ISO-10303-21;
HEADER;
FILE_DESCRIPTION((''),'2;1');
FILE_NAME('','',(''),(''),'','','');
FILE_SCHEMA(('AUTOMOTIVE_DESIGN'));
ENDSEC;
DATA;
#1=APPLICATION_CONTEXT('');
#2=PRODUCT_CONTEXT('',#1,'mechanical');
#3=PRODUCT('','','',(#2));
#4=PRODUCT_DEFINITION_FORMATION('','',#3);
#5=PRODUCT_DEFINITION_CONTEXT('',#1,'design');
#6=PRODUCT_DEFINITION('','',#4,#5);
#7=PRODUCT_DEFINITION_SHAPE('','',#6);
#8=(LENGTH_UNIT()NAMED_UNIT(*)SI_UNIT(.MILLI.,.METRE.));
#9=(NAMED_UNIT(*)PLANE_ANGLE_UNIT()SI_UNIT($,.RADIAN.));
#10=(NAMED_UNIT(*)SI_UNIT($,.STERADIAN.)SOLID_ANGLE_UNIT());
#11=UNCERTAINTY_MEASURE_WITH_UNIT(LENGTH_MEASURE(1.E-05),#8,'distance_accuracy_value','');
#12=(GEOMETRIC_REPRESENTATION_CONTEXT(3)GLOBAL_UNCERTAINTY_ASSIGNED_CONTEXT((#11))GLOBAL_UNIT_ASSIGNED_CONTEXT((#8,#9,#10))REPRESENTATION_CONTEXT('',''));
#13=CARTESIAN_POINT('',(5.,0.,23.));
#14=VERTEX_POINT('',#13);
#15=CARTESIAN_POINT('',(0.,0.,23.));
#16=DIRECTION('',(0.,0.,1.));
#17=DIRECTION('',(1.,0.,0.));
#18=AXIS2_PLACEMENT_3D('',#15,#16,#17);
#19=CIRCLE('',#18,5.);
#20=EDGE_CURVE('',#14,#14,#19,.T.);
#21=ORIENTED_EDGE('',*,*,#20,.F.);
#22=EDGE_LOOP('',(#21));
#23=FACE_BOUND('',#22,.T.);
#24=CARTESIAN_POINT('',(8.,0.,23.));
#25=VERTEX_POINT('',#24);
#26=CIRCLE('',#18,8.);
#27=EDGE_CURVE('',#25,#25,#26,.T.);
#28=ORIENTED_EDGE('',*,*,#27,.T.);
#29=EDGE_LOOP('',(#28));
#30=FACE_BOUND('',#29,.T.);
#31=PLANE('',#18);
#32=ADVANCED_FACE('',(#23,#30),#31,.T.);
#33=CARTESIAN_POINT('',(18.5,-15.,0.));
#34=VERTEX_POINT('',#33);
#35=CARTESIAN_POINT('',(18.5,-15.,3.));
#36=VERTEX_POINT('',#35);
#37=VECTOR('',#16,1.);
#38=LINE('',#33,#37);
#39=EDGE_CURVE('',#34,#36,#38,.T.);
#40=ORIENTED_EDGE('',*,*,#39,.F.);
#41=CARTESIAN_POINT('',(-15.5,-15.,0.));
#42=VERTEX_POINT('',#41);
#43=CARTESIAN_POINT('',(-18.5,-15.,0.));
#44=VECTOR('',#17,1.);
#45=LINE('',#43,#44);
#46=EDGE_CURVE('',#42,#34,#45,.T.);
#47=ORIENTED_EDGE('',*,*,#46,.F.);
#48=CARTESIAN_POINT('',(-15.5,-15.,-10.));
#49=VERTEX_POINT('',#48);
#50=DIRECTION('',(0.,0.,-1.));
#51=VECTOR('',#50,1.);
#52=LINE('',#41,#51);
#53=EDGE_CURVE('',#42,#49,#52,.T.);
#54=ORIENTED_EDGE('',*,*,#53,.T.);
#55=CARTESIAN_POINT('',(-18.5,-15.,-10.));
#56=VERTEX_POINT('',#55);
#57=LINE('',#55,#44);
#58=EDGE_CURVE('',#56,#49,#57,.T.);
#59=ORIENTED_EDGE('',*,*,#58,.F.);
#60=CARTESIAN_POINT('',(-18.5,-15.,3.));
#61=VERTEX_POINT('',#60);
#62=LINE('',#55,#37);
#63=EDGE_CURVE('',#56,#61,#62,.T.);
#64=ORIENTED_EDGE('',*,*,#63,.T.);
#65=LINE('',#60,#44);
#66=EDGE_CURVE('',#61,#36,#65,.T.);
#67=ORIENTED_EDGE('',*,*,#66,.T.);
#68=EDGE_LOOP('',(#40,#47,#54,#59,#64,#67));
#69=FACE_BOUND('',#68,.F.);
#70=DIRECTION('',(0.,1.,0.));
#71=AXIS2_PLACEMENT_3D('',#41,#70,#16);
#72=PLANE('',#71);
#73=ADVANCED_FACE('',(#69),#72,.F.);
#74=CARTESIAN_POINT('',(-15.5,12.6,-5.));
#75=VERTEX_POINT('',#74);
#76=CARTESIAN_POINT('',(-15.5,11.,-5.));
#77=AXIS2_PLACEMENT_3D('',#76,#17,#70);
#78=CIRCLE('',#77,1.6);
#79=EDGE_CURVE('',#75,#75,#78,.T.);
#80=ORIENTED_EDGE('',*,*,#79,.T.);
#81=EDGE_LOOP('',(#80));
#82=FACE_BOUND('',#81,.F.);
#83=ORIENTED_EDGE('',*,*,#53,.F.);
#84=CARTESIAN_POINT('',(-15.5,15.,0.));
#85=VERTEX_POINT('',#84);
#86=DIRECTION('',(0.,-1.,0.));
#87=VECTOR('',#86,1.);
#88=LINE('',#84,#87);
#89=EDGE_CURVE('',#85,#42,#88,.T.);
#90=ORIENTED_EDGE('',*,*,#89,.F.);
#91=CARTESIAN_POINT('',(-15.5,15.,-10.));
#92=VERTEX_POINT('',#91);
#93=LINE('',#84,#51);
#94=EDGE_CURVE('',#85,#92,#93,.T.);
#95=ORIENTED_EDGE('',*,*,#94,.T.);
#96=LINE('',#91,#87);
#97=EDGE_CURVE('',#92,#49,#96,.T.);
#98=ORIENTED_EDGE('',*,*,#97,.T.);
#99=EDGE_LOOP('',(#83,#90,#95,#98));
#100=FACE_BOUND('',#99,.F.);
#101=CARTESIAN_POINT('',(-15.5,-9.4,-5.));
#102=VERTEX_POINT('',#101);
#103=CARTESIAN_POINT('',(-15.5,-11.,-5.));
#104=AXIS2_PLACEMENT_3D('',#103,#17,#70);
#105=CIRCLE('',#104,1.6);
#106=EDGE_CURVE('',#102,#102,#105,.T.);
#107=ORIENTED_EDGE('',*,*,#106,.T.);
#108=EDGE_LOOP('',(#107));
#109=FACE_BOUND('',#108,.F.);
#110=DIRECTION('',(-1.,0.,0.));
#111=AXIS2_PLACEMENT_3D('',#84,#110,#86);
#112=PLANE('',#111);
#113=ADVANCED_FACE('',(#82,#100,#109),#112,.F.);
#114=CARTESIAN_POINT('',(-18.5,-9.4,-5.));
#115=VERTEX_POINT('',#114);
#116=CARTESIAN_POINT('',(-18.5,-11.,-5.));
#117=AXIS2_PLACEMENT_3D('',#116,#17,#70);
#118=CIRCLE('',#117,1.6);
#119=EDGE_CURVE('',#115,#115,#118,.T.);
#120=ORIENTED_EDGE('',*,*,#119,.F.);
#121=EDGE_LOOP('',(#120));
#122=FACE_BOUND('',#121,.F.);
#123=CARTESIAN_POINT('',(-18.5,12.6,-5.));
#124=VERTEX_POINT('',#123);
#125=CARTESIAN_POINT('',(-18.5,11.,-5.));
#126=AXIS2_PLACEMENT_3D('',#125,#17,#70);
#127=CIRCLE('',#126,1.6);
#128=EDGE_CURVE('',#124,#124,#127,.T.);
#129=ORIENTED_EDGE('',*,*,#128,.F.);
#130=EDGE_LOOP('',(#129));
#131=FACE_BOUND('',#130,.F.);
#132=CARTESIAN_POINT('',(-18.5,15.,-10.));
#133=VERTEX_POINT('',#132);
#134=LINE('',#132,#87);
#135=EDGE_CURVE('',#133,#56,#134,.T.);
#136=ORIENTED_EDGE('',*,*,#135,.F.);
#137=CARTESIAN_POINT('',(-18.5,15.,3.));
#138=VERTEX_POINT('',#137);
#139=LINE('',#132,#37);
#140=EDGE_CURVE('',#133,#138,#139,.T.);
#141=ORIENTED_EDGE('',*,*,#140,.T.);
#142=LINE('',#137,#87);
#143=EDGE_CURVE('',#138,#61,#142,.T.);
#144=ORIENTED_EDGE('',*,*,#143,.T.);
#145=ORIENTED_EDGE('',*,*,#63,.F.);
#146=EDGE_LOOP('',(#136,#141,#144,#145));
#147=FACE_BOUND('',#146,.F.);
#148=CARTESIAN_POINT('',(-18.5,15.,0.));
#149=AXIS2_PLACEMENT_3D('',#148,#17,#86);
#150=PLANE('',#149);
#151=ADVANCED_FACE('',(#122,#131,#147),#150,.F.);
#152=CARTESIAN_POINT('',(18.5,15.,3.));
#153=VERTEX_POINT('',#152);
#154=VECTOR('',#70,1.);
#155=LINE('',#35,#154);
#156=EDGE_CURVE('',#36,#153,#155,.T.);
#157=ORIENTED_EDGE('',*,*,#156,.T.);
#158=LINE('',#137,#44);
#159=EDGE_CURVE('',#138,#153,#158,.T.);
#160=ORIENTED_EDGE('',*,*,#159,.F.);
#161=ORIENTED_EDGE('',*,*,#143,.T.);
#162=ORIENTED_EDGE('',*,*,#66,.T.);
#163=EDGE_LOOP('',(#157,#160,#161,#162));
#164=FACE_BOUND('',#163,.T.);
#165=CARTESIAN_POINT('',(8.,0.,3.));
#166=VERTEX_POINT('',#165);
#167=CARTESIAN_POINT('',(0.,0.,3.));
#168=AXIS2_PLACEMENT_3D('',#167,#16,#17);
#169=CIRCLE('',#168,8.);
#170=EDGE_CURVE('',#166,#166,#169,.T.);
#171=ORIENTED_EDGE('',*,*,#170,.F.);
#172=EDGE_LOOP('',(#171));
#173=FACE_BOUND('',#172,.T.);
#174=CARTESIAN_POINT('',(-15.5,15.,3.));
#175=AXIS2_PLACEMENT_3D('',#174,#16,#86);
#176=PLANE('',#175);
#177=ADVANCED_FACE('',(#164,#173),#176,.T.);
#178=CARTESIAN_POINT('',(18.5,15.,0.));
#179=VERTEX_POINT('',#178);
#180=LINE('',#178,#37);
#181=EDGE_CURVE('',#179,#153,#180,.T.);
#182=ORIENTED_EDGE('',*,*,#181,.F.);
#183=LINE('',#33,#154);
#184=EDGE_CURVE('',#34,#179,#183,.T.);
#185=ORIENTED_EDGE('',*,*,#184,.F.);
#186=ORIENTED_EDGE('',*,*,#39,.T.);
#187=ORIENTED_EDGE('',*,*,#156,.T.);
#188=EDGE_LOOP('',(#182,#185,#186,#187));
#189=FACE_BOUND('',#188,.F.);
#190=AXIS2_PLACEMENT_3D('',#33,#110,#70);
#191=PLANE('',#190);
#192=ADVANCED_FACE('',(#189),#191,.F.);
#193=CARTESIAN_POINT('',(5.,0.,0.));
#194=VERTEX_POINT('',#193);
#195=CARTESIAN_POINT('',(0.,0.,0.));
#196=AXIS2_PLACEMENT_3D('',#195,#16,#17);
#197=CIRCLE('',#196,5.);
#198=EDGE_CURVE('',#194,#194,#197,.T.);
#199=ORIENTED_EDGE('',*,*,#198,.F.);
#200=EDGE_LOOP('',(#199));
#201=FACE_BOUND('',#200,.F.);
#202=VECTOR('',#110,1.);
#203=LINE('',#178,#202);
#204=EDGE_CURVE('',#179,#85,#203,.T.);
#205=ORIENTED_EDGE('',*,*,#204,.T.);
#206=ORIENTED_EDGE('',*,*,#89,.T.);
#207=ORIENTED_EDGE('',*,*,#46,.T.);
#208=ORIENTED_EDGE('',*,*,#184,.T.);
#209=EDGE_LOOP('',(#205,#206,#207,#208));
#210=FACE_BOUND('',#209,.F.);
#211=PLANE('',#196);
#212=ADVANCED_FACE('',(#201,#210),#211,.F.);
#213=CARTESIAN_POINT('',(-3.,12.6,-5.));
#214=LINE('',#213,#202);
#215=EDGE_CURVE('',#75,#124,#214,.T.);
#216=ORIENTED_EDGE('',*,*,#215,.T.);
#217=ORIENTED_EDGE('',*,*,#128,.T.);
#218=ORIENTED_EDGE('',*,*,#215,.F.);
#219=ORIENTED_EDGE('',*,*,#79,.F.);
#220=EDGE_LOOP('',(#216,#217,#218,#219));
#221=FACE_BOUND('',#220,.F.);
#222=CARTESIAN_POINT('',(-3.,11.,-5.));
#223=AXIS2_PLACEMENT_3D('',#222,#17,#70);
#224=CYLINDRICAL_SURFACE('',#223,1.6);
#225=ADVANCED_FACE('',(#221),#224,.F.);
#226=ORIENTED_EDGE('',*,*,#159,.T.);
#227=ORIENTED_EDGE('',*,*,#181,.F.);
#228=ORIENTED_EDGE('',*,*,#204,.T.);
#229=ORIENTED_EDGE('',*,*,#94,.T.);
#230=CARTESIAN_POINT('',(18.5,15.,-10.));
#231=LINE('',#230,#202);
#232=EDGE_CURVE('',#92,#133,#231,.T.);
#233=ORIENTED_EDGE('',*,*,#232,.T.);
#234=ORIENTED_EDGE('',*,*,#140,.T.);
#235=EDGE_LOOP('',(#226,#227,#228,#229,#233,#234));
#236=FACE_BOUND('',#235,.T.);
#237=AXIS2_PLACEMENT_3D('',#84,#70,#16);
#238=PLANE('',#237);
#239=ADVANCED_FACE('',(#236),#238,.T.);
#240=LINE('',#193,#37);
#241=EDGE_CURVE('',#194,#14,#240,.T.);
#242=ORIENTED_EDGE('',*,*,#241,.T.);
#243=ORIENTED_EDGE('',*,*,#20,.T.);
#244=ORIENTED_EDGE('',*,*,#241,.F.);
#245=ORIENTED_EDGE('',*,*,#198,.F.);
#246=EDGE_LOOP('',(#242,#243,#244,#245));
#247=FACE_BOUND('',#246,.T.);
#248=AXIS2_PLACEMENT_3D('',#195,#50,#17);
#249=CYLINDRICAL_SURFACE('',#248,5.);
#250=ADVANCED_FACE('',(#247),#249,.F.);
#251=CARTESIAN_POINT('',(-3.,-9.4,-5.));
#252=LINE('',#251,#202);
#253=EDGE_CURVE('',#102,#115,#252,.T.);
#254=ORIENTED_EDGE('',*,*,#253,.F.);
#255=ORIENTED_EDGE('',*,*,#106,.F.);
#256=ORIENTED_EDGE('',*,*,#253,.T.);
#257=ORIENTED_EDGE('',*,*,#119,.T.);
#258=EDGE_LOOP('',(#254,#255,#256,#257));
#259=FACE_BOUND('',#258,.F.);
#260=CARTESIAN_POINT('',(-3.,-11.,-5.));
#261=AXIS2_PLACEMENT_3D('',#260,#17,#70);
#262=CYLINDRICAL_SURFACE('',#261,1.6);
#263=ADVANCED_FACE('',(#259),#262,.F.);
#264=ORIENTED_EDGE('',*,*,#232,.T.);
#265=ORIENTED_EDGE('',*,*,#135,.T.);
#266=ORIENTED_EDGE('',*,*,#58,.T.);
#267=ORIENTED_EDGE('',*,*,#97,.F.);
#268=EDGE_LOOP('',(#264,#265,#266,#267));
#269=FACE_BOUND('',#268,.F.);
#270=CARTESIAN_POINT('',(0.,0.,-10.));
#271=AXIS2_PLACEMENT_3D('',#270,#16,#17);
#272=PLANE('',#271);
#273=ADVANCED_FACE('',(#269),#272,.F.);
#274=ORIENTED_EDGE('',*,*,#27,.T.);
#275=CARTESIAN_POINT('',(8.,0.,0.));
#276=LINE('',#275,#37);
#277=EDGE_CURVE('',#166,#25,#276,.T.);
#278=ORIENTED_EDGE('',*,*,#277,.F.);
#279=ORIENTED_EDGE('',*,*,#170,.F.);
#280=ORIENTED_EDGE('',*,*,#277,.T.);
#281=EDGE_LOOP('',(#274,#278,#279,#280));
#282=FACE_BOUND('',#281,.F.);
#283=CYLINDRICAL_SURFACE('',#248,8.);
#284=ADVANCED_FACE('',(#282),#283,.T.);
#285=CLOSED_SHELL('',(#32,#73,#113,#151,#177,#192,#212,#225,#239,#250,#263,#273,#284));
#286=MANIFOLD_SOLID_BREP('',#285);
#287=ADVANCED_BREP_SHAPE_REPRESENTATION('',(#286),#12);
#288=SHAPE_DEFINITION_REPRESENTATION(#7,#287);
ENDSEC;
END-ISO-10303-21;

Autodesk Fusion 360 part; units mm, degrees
sketch "Sketch1" plane through (0, 0, 0) normal (0, 0, 1) x (1, 0, 0)
  line L0 (18.5, 15) -> (-18.5, 15)
  line L1 (-18.5, 15) -> (-18.5, -15)
  line L2 (-18.5, -15) -> (18.5, -15)
  line L3 (18.5, -15) -> (18.5, 15)
  line L4 (18.5, 15) -> (-18.5, -15) construction
  line L5 (-18.5, 15) -> (18.5, -15) construction
  circle A0 centre (0, 0) radius 8
  circle A1 centre (0, 0) radius 5
  line L6 (-18.5, 15) -> (-15.5, 15)
  line L7 (-15.5, 15) -> (-15.5, -15)
  line L8 (-15.5, -15) -> (-18.5, -15)
  line L9 (-18.5, -15) -> (-18.5, 15)
  line L10 (-18.5, 15) -> (-15.5, -15) construction
  line L11 (-15.5, 15) -> (-18.5, -15) construction
  line L12 (0, 15) -> (0, -15) construction
  point P0 (-17, 0)
  dimension "d1" = 37
  dimension "d2" = 30
  dimension "d3" = 16
  dimension "d4" = 10
  dimension "d5" = 30
  dimension "d6" = 3
extrude "Extrude1" add sketch "Sketch1" against normal blind 10 contours L0 L1 L2 L6 L7 L8 L9 makes body 1
extrude "Extrude2" add sketch "Sketch1" along normal blind 3 separate body contours L0 L2 L3 L7 makes body 2
move_body "Move1" bodies 1 to x (1, 0, 0) y (0, 1, 0) z (0, 0, 1) at (3, 0, 0)
extrude "Extrude3" add sketch "Sketch1" along normal blind 23 contours A0 bodies 2
sketch "Sketch2" plane through (0, 0, 0) normal (1, 0, 0) x (0, 1, 0)
  line L0 (15, -5) -> (-15, -5) construction
  line L1 (15, -10) -> (-15, -10) construction
  line L2 (11, 3) -> (11, -10) construction
  line L3 (15, 3) -> (15, -10) construction
  line L4 (0, 3) -> (0, -10) construction
  circle A0 centre (11, -5) radius 1.6
  circle A1 centre (-11, -5) radius 1.6
  dimension "d13" = 5
  dimension "d14" = 13
  dimension "d15" = 4
  dimension "d16" = 3.2
extrude "Extrude4" cut sketch "Sketch2" against normal blind 20 contours A1 bodies 1
extrude "Extrude5" cut sketch "Sketch2" against normal blind 35 contours A0 bodies 1
sketch "Sketch3" plane through (0, 0, 0) normal (0, 1, 0) x (1, 0, 0)
  line L0 (-15.5, -3) -> (18.5, -3)
  dimension "d21" = 34
move_body "Move2" bodies 1 to x (1, 0, 0) y (0, 1, 0) z (0, 0, 1) at (-3, 0, 0)
extrude "Extrude6" add 1 faces at (-15.5, 5, 1) along direction (-1, 0, 0) blind 3 on bodies 2 bodies 1 2
sketch "Sketch4" plane through (0, 0, 0) normal (0, 1, 0) x (1, 0, 0)
sketch "Sketch5" plane through (0, 0, 0) normal (0, 0, 1) x (1, 0, 0)
  line L0 (-16, 0) -> (-19, 0) construction
